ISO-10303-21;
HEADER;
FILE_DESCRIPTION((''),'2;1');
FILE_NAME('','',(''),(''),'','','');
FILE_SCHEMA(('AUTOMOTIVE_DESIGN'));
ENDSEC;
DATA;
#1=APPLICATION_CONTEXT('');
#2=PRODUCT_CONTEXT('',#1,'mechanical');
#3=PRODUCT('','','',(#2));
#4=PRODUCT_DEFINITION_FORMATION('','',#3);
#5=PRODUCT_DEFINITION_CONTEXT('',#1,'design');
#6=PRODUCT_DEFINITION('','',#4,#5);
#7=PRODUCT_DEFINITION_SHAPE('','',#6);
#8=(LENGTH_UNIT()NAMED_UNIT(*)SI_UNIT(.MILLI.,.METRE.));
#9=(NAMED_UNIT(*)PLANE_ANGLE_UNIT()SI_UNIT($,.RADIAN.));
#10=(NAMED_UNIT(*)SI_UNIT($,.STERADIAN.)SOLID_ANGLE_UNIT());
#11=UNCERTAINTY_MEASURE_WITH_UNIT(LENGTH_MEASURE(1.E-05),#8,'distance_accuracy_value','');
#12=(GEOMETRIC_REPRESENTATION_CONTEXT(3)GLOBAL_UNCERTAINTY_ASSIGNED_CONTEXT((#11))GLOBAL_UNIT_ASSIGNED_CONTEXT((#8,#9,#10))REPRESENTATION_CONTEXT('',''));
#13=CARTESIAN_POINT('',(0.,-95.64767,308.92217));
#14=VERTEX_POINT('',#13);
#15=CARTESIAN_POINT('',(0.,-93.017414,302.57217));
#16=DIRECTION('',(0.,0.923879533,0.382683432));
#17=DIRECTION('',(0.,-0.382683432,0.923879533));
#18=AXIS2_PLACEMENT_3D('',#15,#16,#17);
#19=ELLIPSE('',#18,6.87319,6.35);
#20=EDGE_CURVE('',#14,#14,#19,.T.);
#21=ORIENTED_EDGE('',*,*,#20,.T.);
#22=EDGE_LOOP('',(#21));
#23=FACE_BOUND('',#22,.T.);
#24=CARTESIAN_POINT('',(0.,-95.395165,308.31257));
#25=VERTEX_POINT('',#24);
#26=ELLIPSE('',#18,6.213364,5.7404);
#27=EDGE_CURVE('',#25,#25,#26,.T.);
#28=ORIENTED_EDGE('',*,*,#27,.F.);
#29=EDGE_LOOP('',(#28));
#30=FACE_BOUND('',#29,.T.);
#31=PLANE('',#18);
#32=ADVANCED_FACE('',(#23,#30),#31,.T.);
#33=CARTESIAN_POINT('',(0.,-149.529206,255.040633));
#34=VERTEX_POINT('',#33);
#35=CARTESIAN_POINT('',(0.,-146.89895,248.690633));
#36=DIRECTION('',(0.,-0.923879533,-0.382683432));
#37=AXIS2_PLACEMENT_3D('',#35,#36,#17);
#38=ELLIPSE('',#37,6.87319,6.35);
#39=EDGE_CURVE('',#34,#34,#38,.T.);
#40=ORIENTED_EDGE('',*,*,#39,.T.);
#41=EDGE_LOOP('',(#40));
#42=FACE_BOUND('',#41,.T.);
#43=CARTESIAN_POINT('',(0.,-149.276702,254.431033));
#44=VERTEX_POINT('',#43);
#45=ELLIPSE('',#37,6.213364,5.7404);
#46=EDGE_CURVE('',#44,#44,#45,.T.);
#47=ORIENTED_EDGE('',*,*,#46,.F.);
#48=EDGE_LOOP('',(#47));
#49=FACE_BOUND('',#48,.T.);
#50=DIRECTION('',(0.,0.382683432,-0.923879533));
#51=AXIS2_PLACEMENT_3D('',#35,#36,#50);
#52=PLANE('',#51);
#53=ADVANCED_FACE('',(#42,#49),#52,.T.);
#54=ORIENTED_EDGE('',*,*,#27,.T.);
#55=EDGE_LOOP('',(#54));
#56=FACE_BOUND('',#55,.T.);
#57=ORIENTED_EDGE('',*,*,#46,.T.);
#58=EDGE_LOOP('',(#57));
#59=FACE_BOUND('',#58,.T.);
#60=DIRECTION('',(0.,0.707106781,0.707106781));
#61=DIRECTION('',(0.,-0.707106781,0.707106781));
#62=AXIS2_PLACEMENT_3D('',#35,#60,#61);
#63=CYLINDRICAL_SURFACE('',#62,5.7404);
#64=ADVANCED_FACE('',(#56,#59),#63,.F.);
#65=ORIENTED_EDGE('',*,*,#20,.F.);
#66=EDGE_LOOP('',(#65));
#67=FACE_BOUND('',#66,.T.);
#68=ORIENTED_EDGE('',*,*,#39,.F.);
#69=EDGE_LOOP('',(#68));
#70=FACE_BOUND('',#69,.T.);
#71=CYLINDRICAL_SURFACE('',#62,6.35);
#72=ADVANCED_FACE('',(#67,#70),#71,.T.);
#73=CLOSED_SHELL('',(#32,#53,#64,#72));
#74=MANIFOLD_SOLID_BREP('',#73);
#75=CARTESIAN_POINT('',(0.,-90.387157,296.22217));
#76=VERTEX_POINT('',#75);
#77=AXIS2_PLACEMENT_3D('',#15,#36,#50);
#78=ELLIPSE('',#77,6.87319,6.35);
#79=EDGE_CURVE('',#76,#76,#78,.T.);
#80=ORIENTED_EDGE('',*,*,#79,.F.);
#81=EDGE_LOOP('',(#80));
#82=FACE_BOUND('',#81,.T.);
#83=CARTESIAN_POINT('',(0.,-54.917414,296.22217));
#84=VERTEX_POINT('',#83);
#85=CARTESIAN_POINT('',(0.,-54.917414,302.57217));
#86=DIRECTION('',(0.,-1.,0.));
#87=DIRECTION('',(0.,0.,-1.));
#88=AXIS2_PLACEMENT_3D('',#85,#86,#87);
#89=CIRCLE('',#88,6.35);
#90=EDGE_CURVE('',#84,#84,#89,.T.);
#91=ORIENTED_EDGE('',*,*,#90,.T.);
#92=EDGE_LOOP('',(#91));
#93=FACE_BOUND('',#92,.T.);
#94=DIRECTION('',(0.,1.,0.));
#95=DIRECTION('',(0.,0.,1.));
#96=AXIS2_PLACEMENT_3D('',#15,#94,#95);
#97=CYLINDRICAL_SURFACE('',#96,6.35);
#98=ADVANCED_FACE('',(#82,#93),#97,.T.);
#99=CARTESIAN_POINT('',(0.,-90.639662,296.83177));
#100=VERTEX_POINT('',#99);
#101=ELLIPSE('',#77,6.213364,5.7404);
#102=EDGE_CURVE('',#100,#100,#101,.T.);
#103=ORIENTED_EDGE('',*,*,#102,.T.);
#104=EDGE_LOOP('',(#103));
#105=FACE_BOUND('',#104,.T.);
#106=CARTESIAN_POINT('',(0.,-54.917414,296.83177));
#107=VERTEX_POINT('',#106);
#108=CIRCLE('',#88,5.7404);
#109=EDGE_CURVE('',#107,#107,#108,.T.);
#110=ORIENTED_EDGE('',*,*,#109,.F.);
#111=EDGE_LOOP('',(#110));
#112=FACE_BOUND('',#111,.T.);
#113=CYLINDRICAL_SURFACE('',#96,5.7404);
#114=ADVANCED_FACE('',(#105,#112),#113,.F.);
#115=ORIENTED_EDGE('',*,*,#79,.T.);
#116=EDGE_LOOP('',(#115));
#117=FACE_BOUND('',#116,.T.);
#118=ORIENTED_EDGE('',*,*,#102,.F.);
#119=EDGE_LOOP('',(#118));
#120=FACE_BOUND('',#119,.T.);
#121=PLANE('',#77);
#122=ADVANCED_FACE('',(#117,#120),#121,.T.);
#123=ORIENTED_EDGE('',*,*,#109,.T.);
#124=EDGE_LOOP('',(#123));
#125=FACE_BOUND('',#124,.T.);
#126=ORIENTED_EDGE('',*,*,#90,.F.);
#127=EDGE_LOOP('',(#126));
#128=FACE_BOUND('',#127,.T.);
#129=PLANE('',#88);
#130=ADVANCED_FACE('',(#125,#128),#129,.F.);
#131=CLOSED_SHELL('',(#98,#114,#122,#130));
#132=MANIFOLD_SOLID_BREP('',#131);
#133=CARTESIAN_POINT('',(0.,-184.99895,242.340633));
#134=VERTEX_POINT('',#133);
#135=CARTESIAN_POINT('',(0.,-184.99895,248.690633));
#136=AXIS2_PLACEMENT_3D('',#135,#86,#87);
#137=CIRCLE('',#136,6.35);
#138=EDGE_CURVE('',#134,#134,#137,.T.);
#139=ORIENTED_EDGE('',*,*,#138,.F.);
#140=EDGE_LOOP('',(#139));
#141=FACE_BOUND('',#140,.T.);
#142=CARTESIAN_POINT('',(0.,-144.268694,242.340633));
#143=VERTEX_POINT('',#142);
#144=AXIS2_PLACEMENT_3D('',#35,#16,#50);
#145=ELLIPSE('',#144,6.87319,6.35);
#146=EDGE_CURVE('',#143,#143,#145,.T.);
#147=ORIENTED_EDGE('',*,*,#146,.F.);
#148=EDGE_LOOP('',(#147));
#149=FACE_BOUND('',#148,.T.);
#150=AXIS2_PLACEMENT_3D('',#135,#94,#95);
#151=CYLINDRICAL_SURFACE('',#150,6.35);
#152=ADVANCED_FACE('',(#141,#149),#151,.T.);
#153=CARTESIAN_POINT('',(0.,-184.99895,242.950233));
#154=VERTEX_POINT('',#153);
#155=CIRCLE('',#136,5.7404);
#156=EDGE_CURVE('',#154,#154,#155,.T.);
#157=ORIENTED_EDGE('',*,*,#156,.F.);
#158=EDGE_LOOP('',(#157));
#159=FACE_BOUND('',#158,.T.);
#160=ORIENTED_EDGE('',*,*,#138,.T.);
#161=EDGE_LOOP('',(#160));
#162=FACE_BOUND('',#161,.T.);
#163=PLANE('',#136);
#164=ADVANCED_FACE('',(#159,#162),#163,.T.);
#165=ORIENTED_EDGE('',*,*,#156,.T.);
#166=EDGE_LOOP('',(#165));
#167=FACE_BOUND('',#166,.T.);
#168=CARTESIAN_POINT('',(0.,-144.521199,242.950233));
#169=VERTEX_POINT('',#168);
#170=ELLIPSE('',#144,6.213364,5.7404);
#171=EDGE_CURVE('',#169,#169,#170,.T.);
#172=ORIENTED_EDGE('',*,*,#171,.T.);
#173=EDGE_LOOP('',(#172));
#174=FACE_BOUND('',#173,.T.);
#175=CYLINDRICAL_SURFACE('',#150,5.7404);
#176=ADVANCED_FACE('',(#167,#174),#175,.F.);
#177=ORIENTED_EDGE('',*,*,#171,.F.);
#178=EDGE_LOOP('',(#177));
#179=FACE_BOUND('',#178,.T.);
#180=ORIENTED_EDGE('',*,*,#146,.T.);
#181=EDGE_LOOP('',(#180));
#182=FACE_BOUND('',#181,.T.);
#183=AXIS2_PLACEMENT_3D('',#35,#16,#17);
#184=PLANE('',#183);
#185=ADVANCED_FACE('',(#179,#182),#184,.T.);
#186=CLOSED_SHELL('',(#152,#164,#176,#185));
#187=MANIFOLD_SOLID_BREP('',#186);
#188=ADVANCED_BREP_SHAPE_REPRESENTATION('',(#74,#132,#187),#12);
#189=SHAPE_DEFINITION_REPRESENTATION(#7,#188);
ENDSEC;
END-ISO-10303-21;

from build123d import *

# Parameters (mm, degrees)
SKETCH11_R                = 6.35
SKETCH11_R_2              = 5.7404
PIPE_0_5_SCH_40_1_DEPTH   = 42.819743879
SKETCH11_ON_SEGMENT_2_R   = 6.35
SKETCH11_ON_SEGMENT_2_R_2 = 5.7404
PIPE_0_5_SCH_40_1_2_DEPTH = 85.639487758
SKETCH11_ON_SEGMENT_3_R   = 6.35
SKETCH11_ON_SEGMENT_3_R_2 = 5.7404
PIPE_0_5_SCH_40_1_3_DEPTH = 42.819743879


with BuildPart() as part:
    # Sketch11 → Pipe 0.5 SCH 40(1) (new body)
    with BuildSketch(Plane(origin=(0, -54.917413554, 302.572169571), x_dir=(0, 0, -1), z_dir=(0, -1, 0))):
        Circle(SKETCH11_R)
        Circle(SKETCH11_R_2, mode=Mode.SUBTRACT)
    extrude(amount=PIPE_0_5_SCH_40_1_DEPTH)

    # Pipe 0.5 SCH 40(1) mitre 1
    split(bisect_by=Plane(origin=(0, -93.017413554, 302.572169571), x_dir=(-1, 0, 0), z_dir=(0, 0.923879533, 0.382683432)), keep=Keep.TOP)


with BuildPart() as body_2:
    # Sketch11 on segment 2 (carried to segment 2) → Pipe 0.5 SCH 40_1 2 (new body)
    with BuildSketch(Plane(origin=(0, -89.680050651, 305.909532473), x_dir=(0, 0.707106781, -0.707106781), z_dir=(0, -0.707106781, -0.707106781))):
        Circle(SKETCH11_ON_SEGMENT_2_R)
        Circle(SKETCH11_ON_SEGMENT_2_R_2, mode=Mode.SUBTRACT)
    extrude(amount=PIPE_0_5_SCH_40_1_2_DEPTH)

    # Pipe 0.5 SCH 40_1 2 mitre 1
    split(bisect_by=Plane(origin=(0, -93.017413554, 302.572169571), x_dir=(1, 0, 0), z_dir=(0, -0.923879533, -0.382683432)), keep=Keep.TOP)

    # Pipe 0.5 SCH 40_1 2 mitre 2
    split(bisect_by=Plane(origin=(0, -146.89895028, 248.690632844), x_dir=(-1, 0, 0), z_dir=(0, 0.923879533, 0.382683432)), keep=Keep.TOP)


with BuildPart() as body_3:
    # Sketch11 on segment 3 (carried to segment 3) → Pipe 0.5 SCH 40_1 3 (new body)
    with BuildSketch(Plane(origin=(0, -142.179206401, 248.690632844), x_dir=(0, 0, -1), z_dir=(0, -1, 0))):
        Circle(SKETCH11_ON_SEGMENT_3_R)
        Circle(SKETCH11_ON_SEGMENT_3_R_2, mode=Mode.SUBTRACT)
    extrude(amount=PIPE_0_5_SCH_40_1_3_DEPTH)

    # Pipe 0.5 SCH 40_1 3 mitre 1
    split(bisect_by=Plane(origin=(0, -146.89895028, 248.690632844), x_dir=(1, 0, 0), z_dir=(0, -0.923879533, -0.382683432)), keep=Keep.TOP)


solid = Compound([part.part, body_2.part, body_3.part])
